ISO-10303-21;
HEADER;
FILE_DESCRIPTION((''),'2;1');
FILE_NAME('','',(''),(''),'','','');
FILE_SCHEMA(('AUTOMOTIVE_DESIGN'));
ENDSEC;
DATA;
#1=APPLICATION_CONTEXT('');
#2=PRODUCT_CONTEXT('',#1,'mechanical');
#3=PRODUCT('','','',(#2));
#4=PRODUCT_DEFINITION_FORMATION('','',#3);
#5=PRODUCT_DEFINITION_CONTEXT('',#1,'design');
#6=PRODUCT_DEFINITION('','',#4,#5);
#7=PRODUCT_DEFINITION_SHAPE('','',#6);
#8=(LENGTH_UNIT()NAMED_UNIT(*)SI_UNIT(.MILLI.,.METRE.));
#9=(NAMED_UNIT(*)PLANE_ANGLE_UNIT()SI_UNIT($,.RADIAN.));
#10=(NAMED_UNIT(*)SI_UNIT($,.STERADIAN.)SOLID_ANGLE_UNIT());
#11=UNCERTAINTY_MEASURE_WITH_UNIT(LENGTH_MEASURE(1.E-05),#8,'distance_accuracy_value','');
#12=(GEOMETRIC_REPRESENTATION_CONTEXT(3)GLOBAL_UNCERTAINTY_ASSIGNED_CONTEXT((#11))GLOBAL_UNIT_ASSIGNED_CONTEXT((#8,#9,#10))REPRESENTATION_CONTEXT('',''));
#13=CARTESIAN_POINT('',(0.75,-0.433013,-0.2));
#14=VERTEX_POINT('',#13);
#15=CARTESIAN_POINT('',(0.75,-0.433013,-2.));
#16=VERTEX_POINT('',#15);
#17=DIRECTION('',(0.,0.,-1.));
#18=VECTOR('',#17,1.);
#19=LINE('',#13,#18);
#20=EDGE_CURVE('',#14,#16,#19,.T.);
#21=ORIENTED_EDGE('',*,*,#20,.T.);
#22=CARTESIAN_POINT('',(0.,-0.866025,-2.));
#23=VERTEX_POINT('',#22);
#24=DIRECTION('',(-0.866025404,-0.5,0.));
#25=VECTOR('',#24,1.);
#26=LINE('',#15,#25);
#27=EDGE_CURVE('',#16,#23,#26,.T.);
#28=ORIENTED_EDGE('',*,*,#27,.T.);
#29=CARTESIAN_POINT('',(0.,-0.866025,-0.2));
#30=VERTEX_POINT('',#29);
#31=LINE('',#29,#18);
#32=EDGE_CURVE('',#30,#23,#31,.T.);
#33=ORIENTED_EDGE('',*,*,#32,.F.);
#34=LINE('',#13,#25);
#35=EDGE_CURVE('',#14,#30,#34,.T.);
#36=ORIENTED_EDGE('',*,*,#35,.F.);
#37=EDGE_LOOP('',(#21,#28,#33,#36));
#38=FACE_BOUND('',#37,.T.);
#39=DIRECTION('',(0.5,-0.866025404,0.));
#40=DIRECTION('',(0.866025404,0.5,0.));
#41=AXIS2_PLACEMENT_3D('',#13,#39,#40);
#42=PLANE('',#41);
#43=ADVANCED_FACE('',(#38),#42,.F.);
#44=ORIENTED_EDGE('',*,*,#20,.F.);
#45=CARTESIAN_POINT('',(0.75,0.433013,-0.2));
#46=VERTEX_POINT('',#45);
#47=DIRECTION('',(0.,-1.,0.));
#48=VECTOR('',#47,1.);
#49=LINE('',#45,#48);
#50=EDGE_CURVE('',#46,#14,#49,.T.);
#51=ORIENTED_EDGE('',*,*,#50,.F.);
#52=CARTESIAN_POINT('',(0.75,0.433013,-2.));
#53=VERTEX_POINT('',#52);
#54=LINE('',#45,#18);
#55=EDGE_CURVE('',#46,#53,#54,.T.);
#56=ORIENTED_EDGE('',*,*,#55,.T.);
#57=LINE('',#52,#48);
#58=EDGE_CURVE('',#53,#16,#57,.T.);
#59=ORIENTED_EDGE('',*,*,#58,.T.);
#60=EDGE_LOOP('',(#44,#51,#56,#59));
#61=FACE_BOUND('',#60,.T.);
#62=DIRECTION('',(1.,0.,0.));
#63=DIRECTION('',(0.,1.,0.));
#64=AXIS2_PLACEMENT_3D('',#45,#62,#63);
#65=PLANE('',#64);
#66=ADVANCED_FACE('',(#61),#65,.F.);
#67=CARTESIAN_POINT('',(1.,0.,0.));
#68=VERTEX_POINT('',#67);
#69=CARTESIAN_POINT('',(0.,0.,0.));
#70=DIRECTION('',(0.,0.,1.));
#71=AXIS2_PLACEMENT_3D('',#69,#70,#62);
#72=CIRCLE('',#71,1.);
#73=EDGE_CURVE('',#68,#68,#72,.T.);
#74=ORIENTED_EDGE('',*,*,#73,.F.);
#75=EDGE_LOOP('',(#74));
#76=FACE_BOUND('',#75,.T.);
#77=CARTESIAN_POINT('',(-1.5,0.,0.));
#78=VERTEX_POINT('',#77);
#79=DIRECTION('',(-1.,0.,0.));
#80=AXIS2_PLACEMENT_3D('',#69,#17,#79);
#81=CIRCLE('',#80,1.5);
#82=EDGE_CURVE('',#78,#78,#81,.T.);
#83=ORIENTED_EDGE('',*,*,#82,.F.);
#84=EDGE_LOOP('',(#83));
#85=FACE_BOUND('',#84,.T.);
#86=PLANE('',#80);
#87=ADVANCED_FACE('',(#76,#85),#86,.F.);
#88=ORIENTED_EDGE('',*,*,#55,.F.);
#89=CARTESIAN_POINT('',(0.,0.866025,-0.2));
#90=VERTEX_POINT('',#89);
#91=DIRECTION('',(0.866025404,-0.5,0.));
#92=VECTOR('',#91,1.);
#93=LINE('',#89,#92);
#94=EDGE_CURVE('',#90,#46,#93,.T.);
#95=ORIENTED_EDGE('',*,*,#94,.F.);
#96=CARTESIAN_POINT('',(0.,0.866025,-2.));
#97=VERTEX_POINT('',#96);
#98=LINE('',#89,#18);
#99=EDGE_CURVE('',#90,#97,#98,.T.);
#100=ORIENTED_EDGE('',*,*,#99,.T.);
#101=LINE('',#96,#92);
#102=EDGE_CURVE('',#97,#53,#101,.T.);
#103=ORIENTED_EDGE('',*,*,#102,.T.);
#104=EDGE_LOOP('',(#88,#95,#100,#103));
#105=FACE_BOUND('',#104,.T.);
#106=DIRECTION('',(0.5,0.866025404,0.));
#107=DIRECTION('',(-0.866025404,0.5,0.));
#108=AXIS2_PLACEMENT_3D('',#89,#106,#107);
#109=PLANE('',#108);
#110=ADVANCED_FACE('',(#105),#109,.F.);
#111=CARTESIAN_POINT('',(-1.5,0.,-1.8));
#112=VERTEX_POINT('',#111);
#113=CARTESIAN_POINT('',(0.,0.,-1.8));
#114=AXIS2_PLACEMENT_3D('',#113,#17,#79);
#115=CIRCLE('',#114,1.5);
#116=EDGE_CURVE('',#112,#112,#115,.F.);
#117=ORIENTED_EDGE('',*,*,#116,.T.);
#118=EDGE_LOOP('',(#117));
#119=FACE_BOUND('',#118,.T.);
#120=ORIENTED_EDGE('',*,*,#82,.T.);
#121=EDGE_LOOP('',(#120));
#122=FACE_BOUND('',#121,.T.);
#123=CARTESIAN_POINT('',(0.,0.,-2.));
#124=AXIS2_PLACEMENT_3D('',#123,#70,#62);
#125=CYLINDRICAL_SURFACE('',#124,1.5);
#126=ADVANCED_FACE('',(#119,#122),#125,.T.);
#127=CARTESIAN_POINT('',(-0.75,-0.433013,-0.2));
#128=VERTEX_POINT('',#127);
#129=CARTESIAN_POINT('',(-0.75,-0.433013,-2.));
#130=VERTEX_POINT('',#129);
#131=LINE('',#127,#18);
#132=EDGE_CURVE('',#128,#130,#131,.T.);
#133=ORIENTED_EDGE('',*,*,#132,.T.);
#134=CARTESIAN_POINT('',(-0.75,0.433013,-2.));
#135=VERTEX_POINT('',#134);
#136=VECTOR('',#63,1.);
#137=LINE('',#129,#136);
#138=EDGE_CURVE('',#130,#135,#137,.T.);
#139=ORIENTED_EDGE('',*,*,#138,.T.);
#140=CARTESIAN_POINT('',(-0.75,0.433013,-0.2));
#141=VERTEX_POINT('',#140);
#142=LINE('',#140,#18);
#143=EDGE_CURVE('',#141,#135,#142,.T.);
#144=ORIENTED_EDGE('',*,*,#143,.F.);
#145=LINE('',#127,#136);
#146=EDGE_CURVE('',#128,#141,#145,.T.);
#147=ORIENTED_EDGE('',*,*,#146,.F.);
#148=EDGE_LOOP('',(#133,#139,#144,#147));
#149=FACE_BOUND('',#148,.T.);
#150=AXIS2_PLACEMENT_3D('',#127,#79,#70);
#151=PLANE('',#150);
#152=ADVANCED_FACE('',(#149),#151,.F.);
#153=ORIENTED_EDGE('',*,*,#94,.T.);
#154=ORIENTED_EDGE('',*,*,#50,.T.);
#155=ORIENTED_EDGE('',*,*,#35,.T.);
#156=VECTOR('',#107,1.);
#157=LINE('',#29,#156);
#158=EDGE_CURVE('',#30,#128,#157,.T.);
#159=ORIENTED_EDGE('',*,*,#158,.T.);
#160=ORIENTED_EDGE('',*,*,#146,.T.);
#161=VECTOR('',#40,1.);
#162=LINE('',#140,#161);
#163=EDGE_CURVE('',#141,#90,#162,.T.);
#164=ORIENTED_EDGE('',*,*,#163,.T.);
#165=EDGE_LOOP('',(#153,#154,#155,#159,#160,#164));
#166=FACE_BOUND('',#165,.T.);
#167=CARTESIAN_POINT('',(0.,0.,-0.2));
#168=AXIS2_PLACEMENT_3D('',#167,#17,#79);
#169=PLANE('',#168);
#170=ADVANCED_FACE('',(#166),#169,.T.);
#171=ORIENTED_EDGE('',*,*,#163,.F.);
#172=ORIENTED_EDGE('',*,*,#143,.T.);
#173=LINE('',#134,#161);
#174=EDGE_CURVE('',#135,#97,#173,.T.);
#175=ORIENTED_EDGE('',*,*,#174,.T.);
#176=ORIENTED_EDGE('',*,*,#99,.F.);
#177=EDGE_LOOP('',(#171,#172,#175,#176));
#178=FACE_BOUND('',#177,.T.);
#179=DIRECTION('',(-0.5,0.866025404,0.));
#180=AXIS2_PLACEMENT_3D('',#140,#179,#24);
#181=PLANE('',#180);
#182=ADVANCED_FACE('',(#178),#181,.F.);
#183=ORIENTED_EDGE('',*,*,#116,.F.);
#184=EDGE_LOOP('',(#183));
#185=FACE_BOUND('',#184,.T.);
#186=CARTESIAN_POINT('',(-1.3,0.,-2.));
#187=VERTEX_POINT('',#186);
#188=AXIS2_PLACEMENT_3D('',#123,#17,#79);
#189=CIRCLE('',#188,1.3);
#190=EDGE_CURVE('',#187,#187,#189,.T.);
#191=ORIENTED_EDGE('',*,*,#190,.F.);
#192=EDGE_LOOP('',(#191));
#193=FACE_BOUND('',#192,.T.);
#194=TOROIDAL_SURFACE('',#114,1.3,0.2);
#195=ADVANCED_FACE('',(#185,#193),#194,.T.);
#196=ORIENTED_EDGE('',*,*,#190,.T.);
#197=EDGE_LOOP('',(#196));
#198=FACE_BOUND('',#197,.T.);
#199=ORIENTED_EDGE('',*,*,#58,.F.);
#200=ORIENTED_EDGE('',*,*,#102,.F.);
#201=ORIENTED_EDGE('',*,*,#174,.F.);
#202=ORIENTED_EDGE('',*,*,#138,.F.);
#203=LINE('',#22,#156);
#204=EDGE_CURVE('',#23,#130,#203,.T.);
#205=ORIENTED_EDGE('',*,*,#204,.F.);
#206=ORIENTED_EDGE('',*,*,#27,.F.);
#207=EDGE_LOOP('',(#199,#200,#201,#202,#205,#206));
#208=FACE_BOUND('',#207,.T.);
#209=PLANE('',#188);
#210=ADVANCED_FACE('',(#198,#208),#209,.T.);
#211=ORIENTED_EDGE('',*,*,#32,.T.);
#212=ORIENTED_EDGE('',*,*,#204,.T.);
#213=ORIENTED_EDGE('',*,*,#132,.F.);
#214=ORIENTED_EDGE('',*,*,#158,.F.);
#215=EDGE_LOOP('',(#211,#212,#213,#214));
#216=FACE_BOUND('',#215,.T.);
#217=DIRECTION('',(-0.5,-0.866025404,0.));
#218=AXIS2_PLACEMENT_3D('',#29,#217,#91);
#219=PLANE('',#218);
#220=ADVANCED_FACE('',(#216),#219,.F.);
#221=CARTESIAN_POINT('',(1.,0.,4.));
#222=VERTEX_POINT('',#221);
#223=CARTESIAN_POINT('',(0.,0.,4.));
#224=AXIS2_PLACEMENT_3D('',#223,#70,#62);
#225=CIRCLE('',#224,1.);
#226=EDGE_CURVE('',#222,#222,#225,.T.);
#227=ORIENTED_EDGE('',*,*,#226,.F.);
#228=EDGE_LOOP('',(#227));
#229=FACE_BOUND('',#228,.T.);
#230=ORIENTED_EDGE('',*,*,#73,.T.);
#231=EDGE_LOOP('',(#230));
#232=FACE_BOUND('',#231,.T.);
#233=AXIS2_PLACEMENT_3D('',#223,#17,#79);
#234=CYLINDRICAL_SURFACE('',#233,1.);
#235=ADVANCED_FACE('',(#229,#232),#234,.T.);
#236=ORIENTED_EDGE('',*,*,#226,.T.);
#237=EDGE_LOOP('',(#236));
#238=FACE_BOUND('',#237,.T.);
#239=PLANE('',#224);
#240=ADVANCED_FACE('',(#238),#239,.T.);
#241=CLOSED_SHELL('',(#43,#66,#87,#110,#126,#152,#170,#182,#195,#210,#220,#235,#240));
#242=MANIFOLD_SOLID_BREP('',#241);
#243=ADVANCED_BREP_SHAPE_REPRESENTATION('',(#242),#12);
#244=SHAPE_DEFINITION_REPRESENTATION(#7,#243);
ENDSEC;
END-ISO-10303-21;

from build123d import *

# Parameters (mm, degrees)
SKETCH1_R           = 1
BOSS_EXTRUDE1_DEPTH = 4
SKETCH2_R           = 1.5
BOSS_EXTRUDE2_DEPTH = 2
FILLET1_R           = 0.2
CUT_EXTRUDE1_DEPTH  = 1.8


with BuildPart() as part:
    # Sketch1 → Boss-Extrude1 (new body)
    with BuildSketch(Plane.XY):
        Circle(SKETCH1_R)
    extrude(amount=BOSS_EXTRUDE1_DEPTH)

    # Sketch2 → Boss-Extrude2 (add)
    with BuildSketch(Plane(origin=(0, 0, 0), x_dir=(-1, 0, 0), z_dir=(0, 0, -1))):
        Circle(SKETCH2_R)
    extrude(amount=BOSS_EXTRUDE2_DEPTH)

    # Fillet1
    fillet1_edges = [part.edges().sort_by_distance(p)[0] for p in [
        (1.5, 0, -2),
    ]]
    fillet(fillet1_edges, radius=FILLET1_R)

    # Sketch3 → Cut-Extrude1 (cut)
    with BuildSketch(Plane(origin=(0, 0, -2), x_dir=(-1, 0, 0), z_dir=(0, 0, -1))):
        Polygon((0, -0.866025404), (0.75, -0.433012702), (0.75, 0.433012702), (0, 0.866025404), (-0.75, 0.433012702), (-0.75, -0.433012702), align=None)
    extrude(amount=-CUT_EXTRUDE1_DEPTH, mode=Mode.SUBTRACT)


solid = part.part
